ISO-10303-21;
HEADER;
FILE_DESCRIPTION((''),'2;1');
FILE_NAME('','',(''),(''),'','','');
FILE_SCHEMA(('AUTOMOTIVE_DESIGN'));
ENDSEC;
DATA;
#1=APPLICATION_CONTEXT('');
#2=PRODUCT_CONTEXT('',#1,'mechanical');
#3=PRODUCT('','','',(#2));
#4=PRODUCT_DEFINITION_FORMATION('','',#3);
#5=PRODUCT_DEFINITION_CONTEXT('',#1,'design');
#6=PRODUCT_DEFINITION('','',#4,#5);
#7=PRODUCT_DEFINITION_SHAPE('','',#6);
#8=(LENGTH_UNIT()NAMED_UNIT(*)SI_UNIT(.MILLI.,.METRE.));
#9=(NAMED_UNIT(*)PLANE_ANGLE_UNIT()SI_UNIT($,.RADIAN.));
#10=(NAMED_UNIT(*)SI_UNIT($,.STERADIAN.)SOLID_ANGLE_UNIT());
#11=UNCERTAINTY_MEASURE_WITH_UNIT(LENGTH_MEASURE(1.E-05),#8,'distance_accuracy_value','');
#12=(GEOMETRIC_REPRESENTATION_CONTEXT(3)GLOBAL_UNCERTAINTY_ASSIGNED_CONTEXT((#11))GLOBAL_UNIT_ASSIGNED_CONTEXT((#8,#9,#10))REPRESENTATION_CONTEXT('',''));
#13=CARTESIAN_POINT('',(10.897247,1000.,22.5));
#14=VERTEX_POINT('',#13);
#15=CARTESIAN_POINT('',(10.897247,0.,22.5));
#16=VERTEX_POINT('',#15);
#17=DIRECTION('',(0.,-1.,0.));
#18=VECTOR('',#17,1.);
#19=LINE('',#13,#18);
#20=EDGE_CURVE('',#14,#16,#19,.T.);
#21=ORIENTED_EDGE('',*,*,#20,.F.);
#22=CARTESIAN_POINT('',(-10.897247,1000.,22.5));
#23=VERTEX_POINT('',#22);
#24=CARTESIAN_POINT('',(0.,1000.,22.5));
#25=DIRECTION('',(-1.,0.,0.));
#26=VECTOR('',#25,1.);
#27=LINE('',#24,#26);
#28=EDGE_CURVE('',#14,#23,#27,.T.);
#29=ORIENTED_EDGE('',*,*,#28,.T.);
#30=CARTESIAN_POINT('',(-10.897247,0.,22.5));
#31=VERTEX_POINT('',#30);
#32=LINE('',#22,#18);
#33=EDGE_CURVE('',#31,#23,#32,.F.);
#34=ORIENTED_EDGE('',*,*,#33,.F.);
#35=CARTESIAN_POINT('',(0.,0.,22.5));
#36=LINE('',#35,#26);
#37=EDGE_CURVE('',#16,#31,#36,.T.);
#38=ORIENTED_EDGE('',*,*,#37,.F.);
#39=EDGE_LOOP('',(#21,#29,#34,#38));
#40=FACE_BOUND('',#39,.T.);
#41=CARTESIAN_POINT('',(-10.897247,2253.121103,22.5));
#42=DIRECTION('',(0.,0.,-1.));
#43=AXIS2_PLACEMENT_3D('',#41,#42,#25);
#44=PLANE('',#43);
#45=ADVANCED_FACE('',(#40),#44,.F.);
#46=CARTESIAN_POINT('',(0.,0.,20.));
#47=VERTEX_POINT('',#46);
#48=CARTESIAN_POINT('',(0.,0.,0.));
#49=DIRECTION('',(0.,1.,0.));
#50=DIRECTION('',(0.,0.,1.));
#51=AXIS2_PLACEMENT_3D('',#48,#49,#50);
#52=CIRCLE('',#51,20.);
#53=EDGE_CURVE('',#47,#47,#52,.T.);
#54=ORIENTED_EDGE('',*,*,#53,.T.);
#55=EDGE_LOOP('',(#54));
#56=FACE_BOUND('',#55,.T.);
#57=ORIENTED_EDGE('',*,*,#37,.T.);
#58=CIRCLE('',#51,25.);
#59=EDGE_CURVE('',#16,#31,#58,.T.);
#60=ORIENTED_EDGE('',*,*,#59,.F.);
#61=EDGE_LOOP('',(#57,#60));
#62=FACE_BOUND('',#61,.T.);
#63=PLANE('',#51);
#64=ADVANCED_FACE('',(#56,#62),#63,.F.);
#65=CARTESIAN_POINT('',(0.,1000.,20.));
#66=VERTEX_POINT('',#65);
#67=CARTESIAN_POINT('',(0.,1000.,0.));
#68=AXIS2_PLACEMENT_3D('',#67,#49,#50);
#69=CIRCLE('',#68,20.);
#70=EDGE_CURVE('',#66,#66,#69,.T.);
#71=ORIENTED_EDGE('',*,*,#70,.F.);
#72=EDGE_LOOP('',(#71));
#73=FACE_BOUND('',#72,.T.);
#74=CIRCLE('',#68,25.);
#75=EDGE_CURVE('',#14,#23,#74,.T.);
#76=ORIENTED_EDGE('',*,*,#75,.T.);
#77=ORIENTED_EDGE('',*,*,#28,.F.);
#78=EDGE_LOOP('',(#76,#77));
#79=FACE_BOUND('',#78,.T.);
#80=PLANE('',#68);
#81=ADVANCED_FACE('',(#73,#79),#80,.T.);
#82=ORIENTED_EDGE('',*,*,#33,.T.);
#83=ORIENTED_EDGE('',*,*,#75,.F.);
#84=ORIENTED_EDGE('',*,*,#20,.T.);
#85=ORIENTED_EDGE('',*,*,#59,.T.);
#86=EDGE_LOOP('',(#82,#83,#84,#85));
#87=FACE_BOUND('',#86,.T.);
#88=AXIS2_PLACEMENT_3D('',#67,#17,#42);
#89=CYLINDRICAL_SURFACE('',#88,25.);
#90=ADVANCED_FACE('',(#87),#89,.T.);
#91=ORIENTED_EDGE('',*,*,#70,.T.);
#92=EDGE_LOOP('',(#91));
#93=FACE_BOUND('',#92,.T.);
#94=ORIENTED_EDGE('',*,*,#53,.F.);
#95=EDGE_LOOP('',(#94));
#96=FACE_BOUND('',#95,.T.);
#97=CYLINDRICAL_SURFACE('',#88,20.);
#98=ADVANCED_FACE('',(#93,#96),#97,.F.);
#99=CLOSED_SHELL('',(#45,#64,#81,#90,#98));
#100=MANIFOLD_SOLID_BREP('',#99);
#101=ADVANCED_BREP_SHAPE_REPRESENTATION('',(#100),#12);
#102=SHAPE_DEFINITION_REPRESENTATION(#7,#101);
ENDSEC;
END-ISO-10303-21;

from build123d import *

# Parameters (mm, degrees)
SKETCH1_R               = 25
SKETCH1_R_2             = 20
BOSS_EXTRUDE1_DEPTH     = 1000
CUT_EXTRUDE1_DEPTH      = 1
CUT_EXTRUDE1_DEPTH_BACK = 1001


with BuildPart() as part:
    # Sketch1 → Boss-Extrude1 (new body)
    with BuildSketch(Plane(origin=(0, 0, 0), x_dir=(1, 0, 0), z_dir=(0, 1, 0))):
        Circle(SKETCH1_R)
        Circle(SKETCH1_R_2, mode=Mode.SUBTRACT)
    extrude(amount=BOSS_EXTRUDE1_DEPTH)

    # Sketch2 → Cut-Extrude1 (cut, two sides)
    with BuildSketch(Plane(origin=(0, 1000, 0), x_dir=(1, 0, 0), z_dir=(0, 1, 0))) as cut_extrude1_sk:
        Polygon((-139.974740916, -22.5), (-10.897247359, -22.5), (10.897247359, -22.5), (139.974740916, -22.5), (139.974740916, -280.654987114), (-139.974740916, -280.654987114), align=None)
    extrude(amount=CUT_EXTRUDE1_DEPTH, mode=Mode.SUBTRACT)
    extrude(cut_extrude1_sk.sketch, amount=-CUT_EXTRUDE1_DEPTH_BACK, mode=Mode.SUBTRACT)


solid = part.part
